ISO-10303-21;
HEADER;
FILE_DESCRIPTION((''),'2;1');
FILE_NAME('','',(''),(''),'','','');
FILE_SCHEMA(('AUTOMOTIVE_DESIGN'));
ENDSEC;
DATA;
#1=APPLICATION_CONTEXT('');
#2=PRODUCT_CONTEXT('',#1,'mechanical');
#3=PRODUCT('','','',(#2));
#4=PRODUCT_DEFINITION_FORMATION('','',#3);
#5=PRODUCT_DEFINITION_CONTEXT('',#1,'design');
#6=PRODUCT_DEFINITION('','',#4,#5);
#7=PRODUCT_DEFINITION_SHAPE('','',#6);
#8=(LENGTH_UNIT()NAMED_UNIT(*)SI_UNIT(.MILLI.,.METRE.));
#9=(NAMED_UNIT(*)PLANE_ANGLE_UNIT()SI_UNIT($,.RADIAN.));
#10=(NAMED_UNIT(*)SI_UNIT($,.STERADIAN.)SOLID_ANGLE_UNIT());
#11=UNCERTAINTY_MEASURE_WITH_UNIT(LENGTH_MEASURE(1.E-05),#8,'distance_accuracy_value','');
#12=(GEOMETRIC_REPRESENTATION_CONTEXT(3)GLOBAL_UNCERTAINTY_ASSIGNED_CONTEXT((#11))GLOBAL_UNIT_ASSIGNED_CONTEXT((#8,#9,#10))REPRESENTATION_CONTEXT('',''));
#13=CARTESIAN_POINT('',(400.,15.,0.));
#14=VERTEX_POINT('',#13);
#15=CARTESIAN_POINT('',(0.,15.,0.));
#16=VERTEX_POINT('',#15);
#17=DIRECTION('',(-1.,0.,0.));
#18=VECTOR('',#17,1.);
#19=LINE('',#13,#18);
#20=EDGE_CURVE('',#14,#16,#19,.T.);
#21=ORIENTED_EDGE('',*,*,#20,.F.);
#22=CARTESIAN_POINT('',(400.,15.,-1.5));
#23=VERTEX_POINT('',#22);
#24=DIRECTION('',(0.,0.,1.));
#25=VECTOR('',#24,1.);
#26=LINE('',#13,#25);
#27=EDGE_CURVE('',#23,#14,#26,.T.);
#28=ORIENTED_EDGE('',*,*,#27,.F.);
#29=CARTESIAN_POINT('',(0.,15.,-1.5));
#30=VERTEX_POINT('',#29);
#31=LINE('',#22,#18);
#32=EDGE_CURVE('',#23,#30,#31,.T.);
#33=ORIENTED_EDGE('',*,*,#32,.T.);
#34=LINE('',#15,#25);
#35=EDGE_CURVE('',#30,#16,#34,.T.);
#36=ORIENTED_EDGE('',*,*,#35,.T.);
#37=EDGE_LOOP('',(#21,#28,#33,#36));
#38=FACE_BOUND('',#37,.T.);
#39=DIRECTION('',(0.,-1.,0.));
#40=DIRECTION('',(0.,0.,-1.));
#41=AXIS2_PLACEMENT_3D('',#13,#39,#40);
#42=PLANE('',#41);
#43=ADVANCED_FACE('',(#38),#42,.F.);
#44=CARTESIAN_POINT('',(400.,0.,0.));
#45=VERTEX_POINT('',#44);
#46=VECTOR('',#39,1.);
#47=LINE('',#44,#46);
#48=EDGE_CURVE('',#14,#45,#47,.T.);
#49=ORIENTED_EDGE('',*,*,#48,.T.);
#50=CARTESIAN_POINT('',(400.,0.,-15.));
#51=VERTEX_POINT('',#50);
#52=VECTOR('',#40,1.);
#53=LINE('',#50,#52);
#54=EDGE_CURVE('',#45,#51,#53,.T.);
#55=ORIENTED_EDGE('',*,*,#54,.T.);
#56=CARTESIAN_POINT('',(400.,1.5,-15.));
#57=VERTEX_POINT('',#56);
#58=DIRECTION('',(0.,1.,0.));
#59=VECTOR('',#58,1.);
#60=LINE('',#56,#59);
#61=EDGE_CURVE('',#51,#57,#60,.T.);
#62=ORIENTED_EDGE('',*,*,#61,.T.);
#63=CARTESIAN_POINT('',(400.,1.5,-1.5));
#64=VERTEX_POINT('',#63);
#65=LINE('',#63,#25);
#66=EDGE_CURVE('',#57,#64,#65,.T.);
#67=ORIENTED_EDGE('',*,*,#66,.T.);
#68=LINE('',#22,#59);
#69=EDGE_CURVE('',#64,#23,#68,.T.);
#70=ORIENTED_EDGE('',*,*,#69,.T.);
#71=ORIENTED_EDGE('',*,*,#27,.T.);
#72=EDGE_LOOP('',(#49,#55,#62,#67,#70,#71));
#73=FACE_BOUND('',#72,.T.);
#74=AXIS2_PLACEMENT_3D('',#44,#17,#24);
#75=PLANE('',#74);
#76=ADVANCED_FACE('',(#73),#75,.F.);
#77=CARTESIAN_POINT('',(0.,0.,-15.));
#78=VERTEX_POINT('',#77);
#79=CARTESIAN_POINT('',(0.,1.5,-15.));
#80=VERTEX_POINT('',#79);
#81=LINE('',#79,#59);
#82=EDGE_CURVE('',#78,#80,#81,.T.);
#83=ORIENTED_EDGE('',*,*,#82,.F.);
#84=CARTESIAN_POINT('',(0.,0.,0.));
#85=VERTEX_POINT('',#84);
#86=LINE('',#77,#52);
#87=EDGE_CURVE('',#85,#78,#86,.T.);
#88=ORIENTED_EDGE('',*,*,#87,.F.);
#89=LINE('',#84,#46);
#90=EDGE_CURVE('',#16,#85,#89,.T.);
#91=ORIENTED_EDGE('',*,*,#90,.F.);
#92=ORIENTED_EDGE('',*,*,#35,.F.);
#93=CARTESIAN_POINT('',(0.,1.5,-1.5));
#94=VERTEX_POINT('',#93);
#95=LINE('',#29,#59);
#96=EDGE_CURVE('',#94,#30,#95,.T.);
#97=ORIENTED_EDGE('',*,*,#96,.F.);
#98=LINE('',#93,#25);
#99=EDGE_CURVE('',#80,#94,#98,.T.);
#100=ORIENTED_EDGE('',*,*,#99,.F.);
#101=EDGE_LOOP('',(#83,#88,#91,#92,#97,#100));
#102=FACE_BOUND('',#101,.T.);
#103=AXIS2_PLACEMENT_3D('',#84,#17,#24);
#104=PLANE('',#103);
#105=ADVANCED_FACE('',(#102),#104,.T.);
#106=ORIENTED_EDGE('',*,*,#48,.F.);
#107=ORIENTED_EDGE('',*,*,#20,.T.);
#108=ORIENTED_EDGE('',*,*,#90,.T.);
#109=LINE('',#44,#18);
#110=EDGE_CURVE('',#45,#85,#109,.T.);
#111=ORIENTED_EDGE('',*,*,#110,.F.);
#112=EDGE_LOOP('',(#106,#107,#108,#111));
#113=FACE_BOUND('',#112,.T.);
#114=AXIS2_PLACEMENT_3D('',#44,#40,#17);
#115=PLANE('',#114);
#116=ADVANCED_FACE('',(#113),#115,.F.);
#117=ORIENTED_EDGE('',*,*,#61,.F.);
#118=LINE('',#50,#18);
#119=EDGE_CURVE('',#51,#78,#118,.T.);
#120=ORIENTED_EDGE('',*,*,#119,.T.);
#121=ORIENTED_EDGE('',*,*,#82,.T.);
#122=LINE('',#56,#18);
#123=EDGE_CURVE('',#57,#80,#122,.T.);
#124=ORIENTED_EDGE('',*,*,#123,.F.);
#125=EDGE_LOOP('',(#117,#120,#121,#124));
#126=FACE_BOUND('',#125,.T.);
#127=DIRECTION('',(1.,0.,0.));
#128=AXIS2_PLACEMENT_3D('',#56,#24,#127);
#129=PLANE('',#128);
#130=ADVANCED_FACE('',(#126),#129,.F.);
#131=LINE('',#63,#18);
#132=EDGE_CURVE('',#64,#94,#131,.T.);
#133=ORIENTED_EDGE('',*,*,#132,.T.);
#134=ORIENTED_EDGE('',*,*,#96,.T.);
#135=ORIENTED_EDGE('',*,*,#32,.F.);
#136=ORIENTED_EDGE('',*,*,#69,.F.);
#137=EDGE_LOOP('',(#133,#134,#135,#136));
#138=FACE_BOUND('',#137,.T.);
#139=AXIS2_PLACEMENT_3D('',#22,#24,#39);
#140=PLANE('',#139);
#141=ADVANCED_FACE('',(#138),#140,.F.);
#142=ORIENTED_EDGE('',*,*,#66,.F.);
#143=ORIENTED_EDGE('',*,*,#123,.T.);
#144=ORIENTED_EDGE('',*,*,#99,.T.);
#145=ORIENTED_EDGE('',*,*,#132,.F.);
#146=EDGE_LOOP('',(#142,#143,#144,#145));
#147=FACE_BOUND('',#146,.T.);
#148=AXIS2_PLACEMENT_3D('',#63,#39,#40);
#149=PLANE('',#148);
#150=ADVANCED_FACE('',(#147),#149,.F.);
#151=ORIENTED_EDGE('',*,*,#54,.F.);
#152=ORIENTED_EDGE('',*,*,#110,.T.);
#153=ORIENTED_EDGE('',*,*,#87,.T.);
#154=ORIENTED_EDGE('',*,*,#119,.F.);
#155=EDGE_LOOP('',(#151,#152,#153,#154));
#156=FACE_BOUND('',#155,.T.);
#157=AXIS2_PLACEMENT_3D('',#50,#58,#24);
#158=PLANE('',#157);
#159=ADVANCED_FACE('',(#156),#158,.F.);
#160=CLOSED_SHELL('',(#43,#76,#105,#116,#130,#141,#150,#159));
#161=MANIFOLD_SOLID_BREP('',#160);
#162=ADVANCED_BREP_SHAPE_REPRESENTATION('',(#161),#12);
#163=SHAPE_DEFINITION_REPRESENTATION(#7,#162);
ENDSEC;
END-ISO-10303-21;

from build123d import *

# Parameters (mm, degrees)
EXTRUDE_1_DEPTH = 400


with BuildPart() as part:
    # Эскиз1 → Бобышка-Вытянуть1 (new body)
    with BuildSketch(Plane(origin=(0, 0, 0), x_dir=(0, 0, -1), z_dir=(1, 0, 0))):
        Polygon((0, 0), (0, 15), (1.5, 15), (1.5, 1.5), (15, 1.5), (15, 0), align=None)
    extrude(amount=EXTRUDE_1_DEPTH)


solid = part.part
